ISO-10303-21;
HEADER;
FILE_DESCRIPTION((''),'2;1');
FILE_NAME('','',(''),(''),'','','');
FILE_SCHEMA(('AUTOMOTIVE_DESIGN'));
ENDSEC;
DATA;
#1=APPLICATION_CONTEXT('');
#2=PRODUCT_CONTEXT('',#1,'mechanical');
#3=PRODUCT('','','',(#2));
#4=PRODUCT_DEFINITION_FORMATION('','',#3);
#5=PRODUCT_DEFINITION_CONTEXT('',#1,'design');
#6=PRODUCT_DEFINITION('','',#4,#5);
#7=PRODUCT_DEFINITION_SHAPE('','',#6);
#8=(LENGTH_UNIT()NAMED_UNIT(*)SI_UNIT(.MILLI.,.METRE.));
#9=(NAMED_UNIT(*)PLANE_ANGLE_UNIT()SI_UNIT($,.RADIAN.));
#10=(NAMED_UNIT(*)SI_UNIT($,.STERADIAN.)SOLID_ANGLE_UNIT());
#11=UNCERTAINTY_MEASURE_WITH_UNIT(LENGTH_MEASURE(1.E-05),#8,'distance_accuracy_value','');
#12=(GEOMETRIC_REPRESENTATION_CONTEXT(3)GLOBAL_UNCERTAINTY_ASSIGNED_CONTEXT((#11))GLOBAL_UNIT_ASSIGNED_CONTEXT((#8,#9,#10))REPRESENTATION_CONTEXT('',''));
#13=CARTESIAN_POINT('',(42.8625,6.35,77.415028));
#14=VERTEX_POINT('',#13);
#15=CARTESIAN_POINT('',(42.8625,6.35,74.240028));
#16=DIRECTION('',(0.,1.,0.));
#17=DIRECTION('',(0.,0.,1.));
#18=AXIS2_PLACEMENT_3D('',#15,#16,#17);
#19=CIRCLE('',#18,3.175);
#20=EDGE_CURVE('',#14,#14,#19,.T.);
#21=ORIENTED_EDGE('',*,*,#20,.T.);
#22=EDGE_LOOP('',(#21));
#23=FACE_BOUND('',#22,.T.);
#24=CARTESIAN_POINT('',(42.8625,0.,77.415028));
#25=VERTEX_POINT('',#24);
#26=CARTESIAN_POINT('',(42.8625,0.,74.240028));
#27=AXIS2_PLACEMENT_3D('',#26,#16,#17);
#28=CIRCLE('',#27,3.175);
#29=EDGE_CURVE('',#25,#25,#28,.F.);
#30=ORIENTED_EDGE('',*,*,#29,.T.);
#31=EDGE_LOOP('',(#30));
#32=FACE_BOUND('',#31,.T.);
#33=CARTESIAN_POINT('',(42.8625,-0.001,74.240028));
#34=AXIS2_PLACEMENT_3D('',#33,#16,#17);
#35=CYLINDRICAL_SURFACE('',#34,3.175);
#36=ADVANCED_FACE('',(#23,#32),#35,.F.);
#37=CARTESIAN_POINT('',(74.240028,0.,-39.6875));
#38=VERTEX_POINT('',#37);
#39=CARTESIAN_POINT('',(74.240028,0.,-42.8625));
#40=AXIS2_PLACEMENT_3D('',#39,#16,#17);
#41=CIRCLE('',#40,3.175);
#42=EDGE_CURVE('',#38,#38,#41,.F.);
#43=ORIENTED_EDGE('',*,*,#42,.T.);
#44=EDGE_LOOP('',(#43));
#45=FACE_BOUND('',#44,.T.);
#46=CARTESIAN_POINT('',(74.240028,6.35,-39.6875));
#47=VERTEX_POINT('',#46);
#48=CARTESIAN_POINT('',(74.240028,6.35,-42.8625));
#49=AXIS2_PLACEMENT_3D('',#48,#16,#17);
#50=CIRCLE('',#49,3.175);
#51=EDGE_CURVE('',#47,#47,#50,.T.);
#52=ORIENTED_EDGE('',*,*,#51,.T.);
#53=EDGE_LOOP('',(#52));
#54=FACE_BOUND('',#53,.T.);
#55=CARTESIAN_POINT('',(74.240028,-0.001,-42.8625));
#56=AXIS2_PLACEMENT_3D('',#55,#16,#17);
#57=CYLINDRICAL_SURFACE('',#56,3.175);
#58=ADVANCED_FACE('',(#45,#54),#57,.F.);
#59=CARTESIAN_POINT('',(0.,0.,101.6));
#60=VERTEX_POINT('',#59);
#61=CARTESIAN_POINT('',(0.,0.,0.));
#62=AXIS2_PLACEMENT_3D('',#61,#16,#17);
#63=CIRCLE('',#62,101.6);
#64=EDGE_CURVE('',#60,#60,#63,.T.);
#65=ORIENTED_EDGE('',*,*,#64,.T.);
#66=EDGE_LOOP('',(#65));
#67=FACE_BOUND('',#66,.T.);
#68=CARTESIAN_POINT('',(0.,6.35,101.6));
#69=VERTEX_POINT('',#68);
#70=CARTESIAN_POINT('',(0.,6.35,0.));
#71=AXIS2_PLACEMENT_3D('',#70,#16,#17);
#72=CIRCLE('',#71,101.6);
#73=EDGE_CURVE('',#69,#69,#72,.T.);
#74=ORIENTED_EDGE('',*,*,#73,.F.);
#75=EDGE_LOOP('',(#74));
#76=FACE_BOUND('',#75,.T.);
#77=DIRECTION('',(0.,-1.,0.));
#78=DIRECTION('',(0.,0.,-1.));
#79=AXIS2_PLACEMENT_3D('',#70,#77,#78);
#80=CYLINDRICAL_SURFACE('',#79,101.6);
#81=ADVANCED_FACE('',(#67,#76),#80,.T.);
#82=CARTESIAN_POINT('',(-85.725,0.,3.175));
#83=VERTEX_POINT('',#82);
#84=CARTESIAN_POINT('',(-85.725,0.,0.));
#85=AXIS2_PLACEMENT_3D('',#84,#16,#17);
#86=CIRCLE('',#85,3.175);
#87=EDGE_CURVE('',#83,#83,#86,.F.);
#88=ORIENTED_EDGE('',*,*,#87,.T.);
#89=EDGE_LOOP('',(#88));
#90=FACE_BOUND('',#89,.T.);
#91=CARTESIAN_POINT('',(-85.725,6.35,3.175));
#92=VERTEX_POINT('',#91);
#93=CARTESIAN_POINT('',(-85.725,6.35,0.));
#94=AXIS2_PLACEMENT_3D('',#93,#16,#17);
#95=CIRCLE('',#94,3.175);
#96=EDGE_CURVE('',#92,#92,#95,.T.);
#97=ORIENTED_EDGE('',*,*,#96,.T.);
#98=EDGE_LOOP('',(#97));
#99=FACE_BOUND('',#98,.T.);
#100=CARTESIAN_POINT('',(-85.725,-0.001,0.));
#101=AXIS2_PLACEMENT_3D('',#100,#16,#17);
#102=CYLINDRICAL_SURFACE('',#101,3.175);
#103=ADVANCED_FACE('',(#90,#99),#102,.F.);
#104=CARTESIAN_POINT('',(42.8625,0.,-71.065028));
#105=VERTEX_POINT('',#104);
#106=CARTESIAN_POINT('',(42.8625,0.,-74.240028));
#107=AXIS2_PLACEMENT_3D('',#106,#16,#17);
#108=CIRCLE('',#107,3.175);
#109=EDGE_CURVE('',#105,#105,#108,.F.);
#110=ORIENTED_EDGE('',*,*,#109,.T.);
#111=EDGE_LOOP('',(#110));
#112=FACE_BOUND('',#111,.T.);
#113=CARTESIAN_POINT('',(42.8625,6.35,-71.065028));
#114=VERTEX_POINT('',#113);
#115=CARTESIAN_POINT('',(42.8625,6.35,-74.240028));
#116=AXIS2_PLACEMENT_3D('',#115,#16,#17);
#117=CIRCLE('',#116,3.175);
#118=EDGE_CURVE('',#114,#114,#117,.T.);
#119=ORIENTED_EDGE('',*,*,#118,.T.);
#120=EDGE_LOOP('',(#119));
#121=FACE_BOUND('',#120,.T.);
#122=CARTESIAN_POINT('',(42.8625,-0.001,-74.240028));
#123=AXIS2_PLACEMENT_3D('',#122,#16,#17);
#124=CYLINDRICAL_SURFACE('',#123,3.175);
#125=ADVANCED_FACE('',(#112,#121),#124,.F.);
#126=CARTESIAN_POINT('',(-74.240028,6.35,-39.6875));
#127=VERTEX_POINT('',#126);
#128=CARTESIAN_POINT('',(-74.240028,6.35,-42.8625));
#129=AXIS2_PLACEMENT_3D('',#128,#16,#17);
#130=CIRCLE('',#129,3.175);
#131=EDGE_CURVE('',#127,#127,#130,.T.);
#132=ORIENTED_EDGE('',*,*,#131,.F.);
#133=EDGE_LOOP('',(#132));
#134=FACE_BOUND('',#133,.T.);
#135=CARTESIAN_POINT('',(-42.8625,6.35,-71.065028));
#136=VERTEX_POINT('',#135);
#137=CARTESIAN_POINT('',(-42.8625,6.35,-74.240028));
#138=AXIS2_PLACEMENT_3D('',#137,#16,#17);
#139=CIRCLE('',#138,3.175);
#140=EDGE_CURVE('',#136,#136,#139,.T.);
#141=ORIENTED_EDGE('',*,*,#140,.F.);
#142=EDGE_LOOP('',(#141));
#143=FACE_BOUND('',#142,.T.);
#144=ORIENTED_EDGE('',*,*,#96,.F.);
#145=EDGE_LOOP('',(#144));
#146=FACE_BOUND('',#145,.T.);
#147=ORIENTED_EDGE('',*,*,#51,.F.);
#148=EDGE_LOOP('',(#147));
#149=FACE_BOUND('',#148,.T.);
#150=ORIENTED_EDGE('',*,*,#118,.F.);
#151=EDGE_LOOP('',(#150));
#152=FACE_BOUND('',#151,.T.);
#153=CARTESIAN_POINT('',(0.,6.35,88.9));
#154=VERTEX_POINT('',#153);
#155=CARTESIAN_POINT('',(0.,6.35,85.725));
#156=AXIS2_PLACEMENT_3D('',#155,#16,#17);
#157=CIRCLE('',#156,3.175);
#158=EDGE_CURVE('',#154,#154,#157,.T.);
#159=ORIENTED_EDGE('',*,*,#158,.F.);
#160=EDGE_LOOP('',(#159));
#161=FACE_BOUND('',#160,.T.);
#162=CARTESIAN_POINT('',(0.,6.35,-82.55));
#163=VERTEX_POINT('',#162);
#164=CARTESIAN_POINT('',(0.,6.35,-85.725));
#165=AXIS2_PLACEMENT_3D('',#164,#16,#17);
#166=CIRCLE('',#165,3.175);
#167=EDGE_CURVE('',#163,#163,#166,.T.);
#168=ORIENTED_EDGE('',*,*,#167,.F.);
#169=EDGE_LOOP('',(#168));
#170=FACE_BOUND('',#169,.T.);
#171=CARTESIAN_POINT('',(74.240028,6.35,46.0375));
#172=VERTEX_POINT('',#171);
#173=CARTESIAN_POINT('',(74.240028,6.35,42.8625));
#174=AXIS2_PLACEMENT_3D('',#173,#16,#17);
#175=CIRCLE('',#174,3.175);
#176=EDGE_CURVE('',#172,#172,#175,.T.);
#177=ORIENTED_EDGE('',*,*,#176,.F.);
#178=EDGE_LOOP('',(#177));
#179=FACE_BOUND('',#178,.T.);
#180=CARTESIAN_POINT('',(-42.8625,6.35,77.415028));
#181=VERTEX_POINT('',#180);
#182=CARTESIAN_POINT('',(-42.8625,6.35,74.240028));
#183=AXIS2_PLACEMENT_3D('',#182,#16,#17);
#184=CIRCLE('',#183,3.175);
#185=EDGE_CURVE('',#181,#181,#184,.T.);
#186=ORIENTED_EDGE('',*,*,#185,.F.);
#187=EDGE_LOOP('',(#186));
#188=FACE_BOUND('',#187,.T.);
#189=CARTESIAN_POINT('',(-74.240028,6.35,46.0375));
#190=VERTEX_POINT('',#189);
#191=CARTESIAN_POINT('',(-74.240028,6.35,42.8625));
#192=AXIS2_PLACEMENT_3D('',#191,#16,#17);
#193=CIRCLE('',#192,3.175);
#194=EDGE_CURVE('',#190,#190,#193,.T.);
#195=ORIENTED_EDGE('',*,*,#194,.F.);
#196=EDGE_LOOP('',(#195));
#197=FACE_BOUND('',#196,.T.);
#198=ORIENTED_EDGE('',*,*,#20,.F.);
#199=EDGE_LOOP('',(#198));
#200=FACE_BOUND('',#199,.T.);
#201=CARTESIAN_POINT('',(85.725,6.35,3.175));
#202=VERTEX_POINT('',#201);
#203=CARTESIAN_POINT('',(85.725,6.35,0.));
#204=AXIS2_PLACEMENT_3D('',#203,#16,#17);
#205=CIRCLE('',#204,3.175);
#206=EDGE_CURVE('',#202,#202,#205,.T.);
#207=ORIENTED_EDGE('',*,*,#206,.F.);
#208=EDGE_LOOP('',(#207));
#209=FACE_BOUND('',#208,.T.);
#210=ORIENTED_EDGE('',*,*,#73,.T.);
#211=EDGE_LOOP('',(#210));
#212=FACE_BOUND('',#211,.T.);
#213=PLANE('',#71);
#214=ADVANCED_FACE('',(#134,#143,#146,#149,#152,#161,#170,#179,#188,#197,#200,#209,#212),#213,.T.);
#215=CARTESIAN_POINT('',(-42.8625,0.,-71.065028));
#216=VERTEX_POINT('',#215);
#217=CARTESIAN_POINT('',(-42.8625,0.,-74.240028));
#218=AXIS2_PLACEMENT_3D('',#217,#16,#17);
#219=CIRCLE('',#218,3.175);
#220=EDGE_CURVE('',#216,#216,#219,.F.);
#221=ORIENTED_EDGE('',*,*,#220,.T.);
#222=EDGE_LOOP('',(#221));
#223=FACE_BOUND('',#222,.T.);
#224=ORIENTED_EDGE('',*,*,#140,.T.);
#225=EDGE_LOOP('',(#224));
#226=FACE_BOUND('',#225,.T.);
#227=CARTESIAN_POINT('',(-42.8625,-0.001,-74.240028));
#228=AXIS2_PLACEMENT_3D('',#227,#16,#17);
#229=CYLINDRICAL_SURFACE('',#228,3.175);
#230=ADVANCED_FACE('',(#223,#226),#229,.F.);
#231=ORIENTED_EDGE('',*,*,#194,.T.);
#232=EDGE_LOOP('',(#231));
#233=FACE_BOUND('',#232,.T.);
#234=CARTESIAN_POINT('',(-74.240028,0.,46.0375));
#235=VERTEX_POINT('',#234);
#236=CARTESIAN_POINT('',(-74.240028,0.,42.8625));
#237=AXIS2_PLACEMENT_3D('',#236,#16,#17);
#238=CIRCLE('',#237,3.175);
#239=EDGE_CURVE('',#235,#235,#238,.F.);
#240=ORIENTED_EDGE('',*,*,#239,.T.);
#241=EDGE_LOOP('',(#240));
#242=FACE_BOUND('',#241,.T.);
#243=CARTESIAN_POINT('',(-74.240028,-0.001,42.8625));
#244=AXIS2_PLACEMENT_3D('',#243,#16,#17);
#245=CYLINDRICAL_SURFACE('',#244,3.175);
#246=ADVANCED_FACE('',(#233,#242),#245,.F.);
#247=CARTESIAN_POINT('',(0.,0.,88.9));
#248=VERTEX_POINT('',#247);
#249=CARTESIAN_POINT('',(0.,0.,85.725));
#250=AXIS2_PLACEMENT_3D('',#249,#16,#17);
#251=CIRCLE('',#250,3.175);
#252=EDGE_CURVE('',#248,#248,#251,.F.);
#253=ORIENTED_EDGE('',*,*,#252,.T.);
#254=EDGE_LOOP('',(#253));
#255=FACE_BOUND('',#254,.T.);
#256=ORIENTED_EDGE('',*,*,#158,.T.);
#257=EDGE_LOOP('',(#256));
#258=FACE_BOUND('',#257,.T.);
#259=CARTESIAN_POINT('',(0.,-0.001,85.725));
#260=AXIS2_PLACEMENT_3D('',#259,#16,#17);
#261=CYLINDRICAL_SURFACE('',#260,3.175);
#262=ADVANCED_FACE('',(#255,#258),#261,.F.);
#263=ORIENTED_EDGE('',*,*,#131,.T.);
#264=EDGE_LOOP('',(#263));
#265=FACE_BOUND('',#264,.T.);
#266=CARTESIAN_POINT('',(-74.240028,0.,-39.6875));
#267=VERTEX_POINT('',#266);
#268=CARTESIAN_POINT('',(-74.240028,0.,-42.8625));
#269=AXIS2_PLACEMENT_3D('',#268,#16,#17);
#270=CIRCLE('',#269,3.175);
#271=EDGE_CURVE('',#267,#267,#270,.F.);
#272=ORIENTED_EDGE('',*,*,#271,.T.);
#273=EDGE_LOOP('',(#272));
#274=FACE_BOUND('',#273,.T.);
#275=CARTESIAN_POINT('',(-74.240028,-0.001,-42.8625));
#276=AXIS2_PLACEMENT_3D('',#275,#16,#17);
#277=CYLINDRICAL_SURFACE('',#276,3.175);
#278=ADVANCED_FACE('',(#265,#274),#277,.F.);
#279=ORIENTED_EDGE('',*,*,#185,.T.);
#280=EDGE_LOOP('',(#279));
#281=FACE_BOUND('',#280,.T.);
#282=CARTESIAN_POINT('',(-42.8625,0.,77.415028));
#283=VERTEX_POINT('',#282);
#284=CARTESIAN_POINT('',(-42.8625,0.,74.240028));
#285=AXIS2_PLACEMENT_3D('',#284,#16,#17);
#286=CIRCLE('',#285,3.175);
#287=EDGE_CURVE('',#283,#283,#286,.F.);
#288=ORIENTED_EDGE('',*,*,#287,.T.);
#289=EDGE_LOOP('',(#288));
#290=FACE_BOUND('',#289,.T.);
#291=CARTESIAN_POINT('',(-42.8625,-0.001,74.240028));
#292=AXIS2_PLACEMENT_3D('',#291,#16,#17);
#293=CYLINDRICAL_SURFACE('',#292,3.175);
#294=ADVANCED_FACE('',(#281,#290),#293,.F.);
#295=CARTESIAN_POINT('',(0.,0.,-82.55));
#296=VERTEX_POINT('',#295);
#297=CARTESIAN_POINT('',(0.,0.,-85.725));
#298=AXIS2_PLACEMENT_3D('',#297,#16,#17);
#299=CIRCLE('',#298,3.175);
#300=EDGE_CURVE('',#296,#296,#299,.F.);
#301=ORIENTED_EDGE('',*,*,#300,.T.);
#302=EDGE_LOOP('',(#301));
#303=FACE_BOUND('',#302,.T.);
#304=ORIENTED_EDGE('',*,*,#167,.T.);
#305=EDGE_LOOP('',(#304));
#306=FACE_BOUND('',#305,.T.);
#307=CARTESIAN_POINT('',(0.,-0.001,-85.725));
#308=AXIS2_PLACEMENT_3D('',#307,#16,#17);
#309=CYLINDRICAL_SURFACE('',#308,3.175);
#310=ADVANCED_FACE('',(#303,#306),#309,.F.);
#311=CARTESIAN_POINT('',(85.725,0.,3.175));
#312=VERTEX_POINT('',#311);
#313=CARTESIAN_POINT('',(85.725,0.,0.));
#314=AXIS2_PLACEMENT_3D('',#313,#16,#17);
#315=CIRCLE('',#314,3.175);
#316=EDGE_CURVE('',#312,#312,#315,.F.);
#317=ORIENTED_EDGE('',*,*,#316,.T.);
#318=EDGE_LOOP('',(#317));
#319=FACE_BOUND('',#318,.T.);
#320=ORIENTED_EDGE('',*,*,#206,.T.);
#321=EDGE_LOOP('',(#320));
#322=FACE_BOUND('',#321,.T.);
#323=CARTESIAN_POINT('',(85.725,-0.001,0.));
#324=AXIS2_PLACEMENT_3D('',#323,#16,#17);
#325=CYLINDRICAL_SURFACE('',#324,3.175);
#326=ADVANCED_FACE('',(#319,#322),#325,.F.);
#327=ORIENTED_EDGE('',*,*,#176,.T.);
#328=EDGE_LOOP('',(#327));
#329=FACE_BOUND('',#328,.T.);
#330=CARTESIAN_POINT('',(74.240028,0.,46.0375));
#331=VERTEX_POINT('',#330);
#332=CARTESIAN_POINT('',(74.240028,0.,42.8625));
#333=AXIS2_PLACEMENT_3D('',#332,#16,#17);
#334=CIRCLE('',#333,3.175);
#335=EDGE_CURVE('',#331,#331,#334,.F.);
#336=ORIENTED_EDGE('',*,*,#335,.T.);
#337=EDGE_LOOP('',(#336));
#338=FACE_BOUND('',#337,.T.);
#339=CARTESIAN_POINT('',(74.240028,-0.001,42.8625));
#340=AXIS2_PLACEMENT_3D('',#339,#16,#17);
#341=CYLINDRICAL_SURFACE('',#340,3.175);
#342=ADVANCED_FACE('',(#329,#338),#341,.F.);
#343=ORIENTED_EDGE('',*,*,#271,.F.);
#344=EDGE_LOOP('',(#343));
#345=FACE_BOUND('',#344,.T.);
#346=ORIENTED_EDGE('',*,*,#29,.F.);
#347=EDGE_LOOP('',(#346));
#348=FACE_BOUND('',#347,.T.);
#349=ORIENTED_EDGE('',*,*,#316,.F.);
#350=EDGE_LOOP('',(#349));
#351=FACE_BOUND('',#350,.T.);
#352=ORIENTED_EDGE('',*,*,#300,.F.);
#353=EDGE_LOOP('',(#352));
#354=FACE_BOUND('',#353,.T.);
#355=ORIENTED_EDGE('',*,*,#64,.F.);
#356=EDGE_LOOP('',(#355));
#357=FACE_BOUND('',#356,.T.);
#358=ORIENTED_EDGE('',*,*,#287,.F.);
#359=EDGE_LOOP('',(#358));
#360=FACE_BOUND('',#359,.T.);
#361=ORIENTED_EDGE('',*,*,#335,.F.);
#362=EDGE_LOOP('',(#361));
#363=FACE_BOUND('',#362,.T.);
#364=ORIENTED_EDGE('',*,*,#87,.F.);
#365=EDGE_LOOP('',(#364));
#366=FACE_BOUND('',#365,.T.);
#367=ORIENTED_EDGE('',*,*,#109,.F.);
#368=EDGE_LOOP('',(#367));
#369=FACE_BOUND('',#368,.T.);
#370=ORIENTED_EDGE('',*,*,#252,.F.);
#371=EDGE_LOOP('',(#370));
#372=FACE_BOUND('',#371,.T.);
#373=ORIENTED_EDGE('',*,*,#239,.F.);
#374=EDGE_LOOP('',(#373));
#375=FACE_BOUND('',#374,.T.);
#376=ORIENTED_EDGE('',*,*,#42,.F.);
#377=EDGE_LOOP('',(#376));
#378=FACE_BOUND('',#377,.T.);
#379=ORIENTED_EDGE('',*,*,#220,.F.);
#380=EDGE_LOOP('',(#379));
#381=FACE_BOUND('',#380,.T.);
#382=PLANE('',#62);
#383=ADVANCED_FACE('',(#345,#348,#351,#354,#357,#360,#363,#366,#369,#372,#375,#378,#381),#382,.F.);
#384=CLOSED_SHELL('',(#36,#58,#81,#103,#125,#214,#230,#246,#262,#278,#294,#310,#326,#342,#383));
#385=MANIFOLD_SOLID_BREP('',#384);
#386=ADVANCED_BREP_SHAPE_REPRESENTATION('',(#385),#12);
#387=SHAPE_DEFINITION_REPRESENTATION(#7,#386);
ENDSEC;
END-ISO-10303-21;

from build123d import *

# Parameters (mm, degrees)
SKETCH1_R           = 101.6
BOSS_EXTRUDE1_DEPTH = 6.35
CUT_EXTRUDE2_REACH  = 145.824
SKETCH3_R           = 3.175


with BuildPart() as part:
    # Sketch1 → Boss-Extrude1 (new body)
    with BuildSketch(Plane(origin=(0, 0, 0), x_dir=(1, 0, 0), z_dir=(0, 1, 0))):
        with Locations(Location((0, 0, 0), (0, 0, 270))):
            Circle(SKETCH1_R)
    extrude(amount=BOSS_EXTRUDE1_DEPTH)

    # Sketch3 → Cut-Extrude2 (cut, up to next)
    with BuildSketch(Plane(origin=(0, 6.35, 0), x_dir=(1, 0, 0), z_dir=(0, 1, 0)), mode=Mode.PRIVATE) as cut_extrude2_sk1:
        with Locations(Location((0, 85.725, 0), (0, 0, 270))):
            Circle(SKETCH3_R)
    cut_extrude2_tool1 = extrude(cut_extrude2_sk1.sketch, amount=-CUT_EXTRUDE2_REACH, mode=Mode.PRIVATE) & part.part
    # Sketch3 → Cut-Extrude2 (cut, up to next)
    with BuildSketch(Plane(origin=(0, 6.35, 0), x_dir=(1, 0, 0), z_dir=(0, 1, 0)), mode=Mode.PRIVATE) as cut_extrude2_sk2:
        with Locations(Location((42.8625, 74.240027739, 0), (0, 0, 270))):
            Circle(SKETCH3_R)
    cut_extrude2_tool2 = extrude(cut_extrude2_sk2.sketch, amount=-CUT_EXTRUDE2_REACH, mode=Mode.PRIVATE) & part.part
    # Sketch3 → Cut-Extrude2 (cut, up to next)
    with BuildSketch(Plane(origin=(0, 6.35, 0), x_dir=(1, 0, 0), z_dir=(0, 1, 0)), mode=Mode.PRIVATE) as cut_extrude2_sk3:
        with Locations(Location((74.240027739, 42.8625, 0), (0, 0, 270))):
            Circle(SKETCH3_R)
    cut_extrude2_tool3 = extrude(cut_extrude2_sk3.sketch, amount=-CUT_EXTRUDE2_REACH, mode=Mode.PRIVATE) & part.part
    # Sketch3 → Cut-Extrude2 (cut, up to next)
    with BuildSketch(Plane(origin=(0, 6.35, 0), x_dir=(1, 0, 0), z_dir=(0, 1, 0)), mode=Mode.PRIVATE) as cut_extrude2_sk4:
        with Locations(Location((85.725, 0, 0), (0, 0, 270))):
            Circle(SKETCH3_R)
    cut_extrude2_tool4 = extrude(cut_extrude2_sk4.sketch, amount=-CUT_EXTRUDE2_REACH, mode=Mode.PRIVATE) & part.part
    # Sketch3 → Cut-Extrude2 (cut, up to next)
    with BuildSketch(Plane(origin=(0, 6.35, 0), x_dir=(1, 0, 0), z_dir=(0, 1, 0)), mode=Mode.PRIVATE) as cut_extrude2_sk5:
        with Locations(Location((74.240027739, -42.8625, 0), (0, 0, 270))):
            Circle(SKETCH3_R)
    cut_extrude2_tool5 = extrude(cut_extrude2_sk5.sketch, amount=-CUT_EXTRUDE2_REACH, mode=Mode.PRIVATE) & part.part
    # Sketch3 → Cut-Extrude2 (cut, up to next)
    with BuildSketch(Plane(origin=(0, 6.35, 0), x_dir=(1, 0, 0), z_dir=(0, 1, 0)), mode=Mode.PRIVATE) as cut_extrude2_sk6:
        with Locations(Location((42.8625, -74.240027739, 0), (0, 0, 270))):
            Circle(SKETCH3_R)
    cut_extrude2_tool6 = extrude(cut_extrude2_sk6.sketch, amount=-CUT_EXTRUDE2_REACH, mode=Mode.PRIVATE) & part.part
    # Sketch3 → Cut-Extrude2 (cut, up to next)
    with BuildSketch(Plane(origin=(0, 6.35, 0), x_dir=(1, 0, 0), z_dir=(0, 1, 0)), mode=Mode.PRIVATE) as cut_extrude2_sk7:
        with Locations(Location((0, -85.725, 0), (0, 0, 270))):
            Circle(SKETCH3_R)
    cut_extrude2_tool7 = extrude(cut_extrude2_sk7.sketch, amount=-CUT_EXTRUDE2_REACH, mode=Mode.PRIVATE) & part.part
    # Sketch3 → Cut-Extrude2 (cut, up to next)
    with BuildSketch(Plane(origin=(0, 6.35, 0), x_dir=(1, 0, 0), z_dir=(0, 1, 0)), mode=Mode.PRIVATE) as cut_extrude2_sk8:
        with Locations(Location((-42.8625, -74.240027739, 0), (0, 0, 270))):
            Circle(SKETCH3_R)
    cut_extrude2_tool8 = extrude(cut_extrude2_sk8.sketch, amount=-CUT_EXTRUDE2_REACH, mode=Mode.PRIVATE) & part.part
    # Sketch3 → Cut-Extrude2 (cut, up to next)
    with BuildSketch(Plane(origin=(0, 6.35, 0), x_dir=(1, 0, 0), z_dir=(0, 1, 0)), mode=Mode.PRIVATE) as cut_extrude2_sk9:
        with Locations(Location((-74.240027739, -42.8625, 0), (0, 0, 270))):
            Circle(SKETCH3_R)
    cut_extrude2_tool9 = extrude(cut_extrude2_sk9.sketch, amount=-CUT_EXTRUDE2_REACH, mode=Mode.PRIVATE) & part.part
    # Sketch3 → Cut-Extrude2 (cut, up to next)
    with BuildSketch(Plane(origin=(0, 6.35, 0), x_dir=(1, 0, 0), z_dir=(0, 1, 0)), mode=Mode.PRIVATE) as cut_extrude2_sk10:
        with Locations(Location((-85.725, 0, 0), (0, 0, 270))):
            Circle(SKETCH3_R)
    cut_extrude2_tool10 = extrude(cut_extrude2_sk10.sketch, amount=-CUT_EXTRUDE2_REACH, mode=Mode.PRIVATE) & part.part
    # Sketch3 → Cut-Extrude2 (cut, up to next)
    with BuildSketch(Plane(origin=(0, 6.35, 0), x_dir=(1, 0, 0), z_dir=(0, 1, 0)), mode=Mode.PRIVATE) as cut_extrude2_sk11:
        with Locations(Location((-74.240027739, 42.8625, 0), (0, 0, 270))):
            Circle(SKETCH3_R)
    cut_extrude2_tool11 = extrude(cut_extrude2_sk11.sketch, amount=-CUT_EXTRUDE2_REACH, mode=Mode.PRIVATE) & part.part
    # Sketch3 → Cut-Extrude2 (cut, up to next)
    with BuildSketch(Plane(origin=(0, 6.35, 0), x_dir=(1, 0, 0), z_dir=(0, 1, 0)), mode=Mode.PRIVATE) as cut_extrude2_sk12:
        with Locations(Location((-42.8625, 74.240027739, 0), (0, 0, 270))):
            Circle(SKETCH3_R)
    cut_extrude2_tool12 = extrude(cut_extrude2_sk12.sketch, amount=-CUT_EXTRUDE2_REACH, mode=Mode.PRIVATE) & part.part
    add(cut_extrude2_tool1.solids().sort_by_distance((0, 6.35, -85.725))[0], mode=Mode.SUBTRACT)
    add(cut_extrude2_tool2.solids().sort_by_distance((42.8625, 6.35, -74.240028))[0], mode=Mode.SUBTRACT)
    add(cut_extrude2_tool3.solids().sort_by_distance((74.240028, 6.35, -42.8625))[0], mode=Mode.SUBTRACT)
    add(cut_extrude2_tool4.solids().sort_by_distance((85.725, 6.35, 0))[0], mode=Mode.SUBTRACT)
    add(cut_extrude2_tool5.solids().sort_by_distance((74.240028, 6.35, 42.8625))[0], mode=Mode.SUBTRACT)
    add(cut_extrude2_tool6.solids().sort_by_distance((42.8625, 6.35, 74.240028))[0], mode=Mode.SUBTRACT)
    add(cut_extrude2_tool7.solids().sort_by_distance((0, 6.35, 85.725))[0], mode=Mode.SUBTRACT)
    add(cut_extrude2_tool8.solids().sort_by_distance((-42.8625, 6.35, 74.240028))[0], mode=Mode.SUBTRACT)
    add(cut_extrude2_tool9.solids().sort_by_distance((-74.240028, 6.35, 42.8625))[0], mode=Mode.SUBTRACT)
    add(cut_extrude2_tool10.solids().sort_by_distance((-85.725, 6.35, 0))[0], mode=Mode.SUBTRACT)
    add(cut_extrude2_tool11.solids().sort_by_distance((-74.240028, 6.35, -42.8625))[0], mode=Mode.SUBTRACT)
    add(cut_extrude2_tool12.solids().sort_by_distance((-42.8625, 6.35, -74.240028))[0], mode=Mode.SUBTRACT)


solid = part.part
